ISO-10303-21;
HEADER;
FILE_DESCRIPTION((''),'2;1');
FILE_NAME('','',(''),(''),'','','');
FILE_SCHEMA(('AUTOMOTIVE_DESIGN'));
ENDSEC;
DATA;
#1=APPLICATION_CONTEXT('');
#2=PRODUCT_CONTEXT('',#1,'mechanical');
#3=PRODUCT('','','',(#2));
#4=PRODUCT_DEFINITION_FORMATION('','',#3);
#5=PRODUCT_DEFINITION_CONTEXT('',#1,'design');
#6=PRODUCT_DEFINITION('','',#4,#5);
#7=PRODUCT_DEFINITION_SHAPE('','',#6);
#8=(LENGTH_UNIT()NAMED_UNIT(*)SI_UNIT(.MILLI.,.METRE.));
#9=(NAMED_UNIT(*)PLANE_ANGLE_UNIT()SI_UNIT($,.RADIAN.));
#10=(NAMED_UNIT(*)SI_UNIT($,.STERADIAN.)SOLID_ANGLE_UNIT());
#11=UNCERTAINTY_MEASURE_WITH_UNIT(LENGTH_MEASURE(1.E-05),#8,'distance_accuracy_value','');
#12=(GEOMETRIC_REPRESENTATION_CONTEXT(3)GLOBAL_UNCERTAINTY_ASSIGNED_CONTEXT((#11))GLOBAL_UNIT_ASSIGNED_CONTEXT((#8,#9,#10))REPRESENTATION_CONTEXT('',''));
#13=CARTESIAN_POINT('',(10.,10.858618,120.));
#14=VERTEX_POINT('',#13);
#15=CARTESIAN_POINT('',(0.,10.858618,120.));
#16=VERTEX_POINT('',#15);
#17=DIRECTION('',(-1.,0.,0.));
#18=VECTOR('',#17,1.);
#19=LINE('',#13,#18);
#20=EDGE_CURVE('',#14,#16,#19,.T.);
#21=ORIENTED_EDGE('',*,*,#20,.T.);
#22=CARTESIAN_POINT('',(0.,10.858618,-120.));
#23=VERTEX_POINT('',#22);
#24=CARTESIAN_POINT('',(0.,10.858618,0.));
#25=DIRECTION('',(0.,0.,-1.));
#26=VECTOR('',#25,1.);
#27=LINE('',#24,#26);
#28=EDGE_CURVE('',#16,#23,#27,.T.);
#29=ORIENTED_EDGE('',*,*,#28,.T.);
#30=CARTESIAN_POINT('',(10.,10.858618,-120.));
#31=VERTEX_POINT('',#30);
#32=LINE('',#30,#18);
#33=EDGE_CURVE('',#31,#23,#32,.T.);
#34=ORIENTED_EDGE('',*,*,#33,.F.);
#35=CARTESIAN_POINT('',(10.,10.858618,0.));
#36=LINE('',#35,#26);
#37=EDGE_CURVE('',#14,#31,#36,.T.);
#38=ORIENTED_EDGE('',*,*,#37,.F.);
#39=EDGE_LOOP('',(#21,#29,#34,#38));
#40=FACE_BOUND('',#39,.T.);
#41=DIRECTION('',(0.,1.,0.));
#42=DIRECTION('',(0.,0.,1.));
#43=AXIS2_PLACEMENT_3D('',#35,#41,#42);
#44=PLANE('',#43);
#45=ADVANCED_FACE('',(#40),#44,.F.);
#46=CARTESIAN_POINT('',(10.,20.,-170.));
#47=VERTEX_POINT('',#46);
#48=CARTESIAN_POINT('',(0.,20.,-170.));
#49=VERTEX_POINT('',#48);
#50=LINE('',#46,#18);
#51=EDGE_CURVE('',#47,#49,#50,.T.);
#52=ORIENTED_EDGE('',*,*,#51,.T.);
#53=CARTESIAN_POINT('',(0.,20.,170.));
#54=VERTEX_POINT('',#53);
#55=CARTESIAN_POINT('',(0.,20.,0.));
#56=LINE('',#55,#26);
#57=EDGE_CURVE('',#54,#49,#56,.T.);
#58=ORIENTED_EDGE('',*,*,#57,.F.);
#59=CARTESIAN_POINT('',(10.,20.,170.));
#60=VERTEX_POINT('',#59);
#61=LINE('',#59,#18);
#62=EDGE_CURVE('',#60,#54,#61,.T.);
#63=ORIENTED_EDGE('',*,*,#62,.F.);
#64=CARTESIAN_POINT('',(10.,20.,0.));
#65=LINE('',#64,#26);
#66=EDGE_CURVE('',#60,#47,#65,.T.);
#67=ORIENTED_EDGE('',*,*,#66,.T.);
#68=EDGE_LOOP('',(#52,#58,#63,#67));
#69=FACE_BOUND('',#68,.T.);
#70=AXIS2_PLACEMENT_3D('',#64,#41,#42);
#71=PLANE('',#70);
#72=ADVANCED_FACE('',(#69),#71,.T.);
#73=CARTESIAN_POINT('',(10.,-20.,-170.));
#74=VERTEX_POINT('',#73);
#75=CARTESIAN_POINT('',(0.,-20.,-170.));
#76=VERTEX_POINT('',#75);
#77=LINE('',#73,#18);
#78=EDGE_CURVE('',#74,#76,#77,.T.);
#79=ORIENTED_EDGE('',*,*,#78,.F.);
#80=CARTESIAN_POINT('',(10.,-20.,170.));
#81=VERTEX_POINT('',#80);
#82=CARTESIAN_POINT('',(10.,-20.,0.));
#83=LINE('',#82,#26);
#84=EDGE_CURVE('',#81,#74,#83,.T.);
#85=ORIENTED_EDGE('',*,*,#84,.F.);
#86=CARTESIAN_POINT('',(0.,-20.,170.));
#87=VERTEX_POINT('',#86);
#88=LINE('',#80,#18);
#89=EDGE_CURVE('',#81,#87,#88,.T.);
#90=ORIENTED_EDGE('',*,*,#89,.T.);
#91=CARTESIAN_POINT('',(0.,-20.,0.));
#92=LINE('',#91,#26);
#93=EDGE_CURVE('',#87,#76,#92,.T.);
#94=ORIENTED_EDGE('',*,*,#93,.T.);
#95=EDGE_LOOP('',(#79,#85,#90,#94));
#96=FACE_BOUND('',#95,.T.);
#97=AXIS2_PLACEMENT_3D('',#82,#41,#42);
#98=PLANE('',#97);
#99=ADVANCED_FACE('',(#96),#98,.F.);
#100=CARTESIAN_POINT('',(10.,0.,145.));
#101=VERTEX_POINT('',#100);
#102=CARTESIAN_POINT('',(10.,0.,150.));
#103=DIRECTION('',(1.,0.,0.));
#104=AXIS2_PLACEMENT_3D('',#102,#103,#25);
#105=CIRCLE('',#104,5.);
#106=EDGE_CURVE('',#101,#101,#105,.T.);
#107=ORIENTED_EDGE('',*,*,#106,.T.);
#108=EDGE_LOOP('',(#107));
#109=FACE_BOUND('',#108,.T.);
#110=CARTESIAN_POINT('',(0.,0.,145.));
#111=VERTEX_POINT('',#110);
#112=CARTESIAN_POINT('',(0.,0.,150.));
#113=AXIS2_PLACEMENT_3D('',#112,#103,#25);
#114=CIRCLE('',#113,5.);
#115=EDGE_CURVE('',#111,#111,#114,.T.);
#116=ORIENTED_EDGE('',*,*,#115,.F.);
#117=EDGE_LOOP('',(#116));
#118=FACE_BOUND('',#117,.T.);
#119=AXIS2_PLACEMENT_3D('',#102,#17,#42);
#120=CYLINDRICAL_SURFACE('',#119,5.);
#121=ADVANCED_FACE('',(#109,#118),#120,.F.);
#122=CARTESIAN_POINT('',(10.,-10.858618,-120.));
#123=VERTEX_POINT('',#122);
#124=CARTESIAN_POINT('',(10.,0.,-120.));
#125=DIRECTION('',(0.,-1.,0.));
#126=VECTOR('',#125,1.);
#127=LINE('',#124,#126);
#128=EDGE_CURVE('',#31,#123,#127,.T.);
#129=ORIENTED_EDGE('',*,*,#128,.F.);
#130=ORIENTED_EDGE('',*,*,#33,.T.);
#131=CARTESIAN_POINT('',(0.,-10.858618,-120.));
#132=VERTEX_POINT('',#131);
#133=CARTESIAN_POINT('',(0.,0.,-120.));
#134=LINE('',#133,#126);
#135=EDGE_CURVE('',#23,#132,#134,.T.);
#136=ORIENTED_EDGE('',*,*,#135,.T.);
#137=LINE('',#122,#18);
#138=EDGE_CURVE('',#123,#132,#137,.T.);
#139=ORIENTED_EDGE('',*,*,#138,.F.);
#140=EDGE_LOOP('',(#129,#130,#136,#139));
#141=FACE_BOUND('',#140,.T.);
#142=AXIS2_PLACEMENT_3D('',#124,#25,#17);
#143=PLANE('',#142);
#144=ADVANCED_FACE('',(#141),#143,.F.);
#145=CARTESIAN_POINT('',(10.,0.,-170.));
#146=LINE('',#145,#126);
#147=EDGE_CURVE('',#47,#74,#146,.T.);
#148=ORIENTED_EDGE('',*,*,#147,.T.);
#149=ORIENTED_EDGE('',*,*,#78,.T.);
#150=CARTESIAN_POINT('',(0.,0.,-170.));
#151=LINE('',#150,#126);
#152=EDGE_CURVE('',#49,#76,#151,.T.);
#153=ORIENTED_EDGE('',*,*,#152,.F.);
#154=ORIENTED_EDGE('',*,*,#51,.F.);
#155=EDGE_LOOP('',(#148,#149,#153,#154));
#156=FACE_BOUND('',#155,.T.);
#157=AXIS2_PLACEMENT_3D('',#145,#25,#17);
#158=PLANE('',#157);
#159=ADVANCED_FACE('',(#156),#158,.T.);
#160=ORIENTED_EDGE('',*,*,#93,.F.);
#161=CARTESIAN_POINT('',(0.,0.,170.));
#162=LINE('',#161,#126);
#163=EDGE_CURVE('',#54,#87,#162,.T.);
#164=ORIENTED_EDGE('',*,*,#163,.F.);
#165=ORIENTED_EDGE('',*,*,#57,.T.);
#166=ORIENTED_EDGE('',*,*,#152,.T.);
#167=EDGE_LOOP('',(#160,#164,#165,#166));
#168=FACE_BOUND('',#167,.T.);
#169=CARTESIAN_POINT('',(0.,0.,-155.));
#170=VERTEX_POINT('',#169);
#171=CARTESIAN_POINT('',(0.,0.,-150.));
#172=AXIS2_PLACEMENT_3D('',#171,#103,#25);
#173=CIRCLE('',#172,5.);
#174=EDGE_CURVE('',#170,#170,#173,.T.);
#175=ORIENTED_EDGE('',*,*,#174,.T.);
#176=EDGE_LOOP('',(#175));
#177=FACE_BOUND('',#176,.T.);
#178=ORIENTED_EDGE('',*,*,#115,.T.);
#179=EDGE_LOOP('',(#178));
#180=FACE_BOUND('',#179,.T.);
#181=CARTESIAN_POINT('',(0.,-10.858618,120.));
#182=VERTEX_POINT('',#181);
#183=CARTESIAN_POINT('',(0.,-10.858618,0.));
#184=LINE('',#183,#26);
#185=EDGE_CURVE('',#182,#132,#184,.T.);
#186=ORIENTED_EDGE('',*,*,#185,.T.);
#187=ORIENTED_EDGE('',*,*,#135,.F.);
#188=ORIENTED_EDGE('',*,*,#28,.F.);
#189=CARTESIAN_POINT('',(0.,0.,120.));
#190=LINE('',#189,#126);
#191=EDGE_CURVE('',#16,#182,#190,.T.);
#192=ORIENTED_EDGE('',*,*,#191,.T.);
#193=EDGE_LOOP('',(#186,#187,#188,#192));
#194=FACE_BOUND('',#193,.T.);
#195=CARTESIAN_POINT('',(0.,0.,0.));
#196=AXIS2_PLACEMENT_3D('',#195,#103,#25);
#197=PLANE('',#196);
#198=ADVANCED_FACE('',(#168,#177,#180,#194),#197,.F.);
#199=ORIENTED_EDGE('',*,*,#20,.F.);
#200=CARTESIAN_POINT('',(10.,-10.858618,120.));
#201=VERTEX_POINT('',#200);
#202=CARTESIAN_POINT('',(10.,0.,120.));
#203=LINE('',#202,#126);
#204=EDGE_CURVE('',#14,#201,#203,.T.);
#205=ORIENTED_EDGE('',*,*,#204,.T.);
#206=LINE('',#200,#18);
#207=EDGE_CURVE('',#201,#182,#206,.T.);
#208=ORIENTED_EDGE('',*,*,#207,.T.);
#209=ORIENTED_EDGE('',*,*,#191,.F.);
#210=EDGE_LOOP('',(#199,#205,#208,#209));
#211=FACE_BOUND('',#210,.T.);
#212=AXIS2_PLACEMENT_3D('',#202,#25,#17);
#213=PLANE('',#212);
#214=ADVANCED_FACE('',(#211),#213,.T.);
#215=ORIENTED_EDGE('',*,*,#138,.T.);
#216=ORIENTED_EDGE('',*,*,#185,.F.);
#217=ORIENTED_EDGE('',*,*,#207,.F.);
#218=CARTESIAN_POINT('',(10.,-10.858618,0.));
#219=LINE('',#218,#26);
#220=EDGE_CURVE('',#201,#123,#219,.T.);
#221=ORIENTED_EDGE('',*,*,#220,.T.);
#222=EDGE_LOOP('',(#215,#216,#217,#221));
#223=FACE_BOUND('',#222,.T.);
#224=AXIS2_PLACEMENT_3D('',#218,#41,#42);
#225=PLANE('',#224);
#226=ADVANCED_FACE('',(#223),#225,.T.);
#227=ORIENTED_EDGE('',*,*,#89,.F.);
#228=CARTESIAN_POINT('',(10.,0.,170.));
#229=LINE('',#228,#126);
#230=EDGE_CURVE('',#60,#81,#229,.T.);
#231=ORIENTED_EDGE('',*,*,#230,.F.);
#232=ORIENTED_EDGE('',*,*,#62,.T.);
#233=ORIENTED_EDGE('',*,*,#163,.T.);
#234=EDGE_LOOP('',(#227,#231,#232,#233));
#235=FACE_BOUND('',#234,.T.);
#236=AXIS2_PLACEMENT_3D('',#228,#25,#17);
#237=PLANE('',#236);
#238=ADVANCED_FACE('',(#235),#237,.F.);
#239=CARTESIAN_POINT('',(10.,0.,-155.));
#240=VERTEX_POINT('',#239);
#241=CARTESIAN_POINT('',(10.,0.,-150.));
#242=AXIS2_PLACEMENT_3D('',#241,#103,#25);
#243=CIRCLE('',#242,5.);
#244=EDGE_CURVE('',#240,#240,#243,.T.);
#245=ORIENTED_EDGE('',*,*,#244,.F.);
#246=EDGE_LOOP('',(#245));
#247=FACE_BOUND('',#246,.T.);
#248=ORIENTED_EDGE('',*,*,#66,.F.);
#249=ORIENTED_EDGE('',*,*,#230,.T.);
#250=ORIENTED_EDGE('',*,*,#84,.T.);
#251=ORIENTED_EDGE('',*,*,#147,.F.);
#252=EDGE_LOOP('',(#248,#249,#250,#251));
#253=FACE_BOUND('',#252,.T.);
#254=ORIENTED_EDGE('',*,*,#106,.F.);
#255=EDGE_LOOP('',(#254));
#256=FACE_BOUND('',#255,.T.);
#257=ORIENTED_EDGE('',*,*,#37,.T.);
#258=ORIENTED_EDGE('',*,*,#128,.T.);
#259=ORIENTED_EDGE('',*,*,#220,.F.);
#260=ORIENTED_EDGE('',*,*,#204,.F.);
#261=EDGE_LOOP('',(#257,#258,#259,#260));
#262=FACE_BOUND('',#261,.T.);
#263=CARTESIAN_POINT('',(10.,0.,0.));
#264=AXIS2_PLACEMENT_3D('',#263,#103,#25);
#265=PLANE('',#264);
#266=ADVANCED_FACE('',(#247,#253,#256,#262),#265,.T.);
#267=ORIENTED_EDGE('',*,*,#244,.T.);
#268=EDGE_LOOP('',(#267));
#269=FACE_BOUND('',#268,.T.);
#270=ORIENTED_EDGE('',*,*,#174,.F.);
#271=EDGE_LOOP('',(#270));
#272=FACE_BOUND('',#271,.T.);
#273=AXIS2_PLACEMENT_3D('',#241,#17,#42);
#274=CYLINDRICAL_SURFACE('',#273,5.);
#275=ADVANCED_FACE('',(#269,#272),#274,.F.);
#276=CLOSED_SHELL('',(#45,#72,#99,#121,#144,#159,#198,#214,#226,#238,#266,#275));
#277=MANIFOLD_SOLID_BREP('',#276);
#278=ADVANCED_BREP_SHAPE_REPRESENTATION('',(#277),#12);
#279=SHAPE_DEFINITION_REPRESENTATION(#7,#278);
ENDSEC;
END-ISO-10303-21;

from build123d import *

# Parameters (mm, degrees)
SKETCH_1_W      = 340
SKETCH_1_H      = 40
SKETCH_1_R      = 5
SKETCH_1_W_2    = 240
SKETCH_1_H_2    = 21.717235764
EXTRUDE_1_DEPTH = 10


with BuildPart() as part:
    # 草图1 → 凸台-拉伸1 (new body)
    with BuildSketch(Plane(origin=(0, 0, 0), x_dir=(0, 0, -1), z_dir=(1, 0, 0))):
        Rectangle(SKETCH_1_W, SKETCH_1_H)
        with Locations((-150, 0)):
            Circle(SKETCH_1_R, mode=Mode.SUBTRACT)
        with Locations((150, 0)):
            Circle(SKETCH_1_R, mode=Mode.SUBTRACT)
        Rectangle(SKETCH_1_W_2, SKETCH_1_H_2, mode=Mode.SUBTRACT)
    extrude(amount=EXTRUDE_1_DEPTH)


solid = part.part
